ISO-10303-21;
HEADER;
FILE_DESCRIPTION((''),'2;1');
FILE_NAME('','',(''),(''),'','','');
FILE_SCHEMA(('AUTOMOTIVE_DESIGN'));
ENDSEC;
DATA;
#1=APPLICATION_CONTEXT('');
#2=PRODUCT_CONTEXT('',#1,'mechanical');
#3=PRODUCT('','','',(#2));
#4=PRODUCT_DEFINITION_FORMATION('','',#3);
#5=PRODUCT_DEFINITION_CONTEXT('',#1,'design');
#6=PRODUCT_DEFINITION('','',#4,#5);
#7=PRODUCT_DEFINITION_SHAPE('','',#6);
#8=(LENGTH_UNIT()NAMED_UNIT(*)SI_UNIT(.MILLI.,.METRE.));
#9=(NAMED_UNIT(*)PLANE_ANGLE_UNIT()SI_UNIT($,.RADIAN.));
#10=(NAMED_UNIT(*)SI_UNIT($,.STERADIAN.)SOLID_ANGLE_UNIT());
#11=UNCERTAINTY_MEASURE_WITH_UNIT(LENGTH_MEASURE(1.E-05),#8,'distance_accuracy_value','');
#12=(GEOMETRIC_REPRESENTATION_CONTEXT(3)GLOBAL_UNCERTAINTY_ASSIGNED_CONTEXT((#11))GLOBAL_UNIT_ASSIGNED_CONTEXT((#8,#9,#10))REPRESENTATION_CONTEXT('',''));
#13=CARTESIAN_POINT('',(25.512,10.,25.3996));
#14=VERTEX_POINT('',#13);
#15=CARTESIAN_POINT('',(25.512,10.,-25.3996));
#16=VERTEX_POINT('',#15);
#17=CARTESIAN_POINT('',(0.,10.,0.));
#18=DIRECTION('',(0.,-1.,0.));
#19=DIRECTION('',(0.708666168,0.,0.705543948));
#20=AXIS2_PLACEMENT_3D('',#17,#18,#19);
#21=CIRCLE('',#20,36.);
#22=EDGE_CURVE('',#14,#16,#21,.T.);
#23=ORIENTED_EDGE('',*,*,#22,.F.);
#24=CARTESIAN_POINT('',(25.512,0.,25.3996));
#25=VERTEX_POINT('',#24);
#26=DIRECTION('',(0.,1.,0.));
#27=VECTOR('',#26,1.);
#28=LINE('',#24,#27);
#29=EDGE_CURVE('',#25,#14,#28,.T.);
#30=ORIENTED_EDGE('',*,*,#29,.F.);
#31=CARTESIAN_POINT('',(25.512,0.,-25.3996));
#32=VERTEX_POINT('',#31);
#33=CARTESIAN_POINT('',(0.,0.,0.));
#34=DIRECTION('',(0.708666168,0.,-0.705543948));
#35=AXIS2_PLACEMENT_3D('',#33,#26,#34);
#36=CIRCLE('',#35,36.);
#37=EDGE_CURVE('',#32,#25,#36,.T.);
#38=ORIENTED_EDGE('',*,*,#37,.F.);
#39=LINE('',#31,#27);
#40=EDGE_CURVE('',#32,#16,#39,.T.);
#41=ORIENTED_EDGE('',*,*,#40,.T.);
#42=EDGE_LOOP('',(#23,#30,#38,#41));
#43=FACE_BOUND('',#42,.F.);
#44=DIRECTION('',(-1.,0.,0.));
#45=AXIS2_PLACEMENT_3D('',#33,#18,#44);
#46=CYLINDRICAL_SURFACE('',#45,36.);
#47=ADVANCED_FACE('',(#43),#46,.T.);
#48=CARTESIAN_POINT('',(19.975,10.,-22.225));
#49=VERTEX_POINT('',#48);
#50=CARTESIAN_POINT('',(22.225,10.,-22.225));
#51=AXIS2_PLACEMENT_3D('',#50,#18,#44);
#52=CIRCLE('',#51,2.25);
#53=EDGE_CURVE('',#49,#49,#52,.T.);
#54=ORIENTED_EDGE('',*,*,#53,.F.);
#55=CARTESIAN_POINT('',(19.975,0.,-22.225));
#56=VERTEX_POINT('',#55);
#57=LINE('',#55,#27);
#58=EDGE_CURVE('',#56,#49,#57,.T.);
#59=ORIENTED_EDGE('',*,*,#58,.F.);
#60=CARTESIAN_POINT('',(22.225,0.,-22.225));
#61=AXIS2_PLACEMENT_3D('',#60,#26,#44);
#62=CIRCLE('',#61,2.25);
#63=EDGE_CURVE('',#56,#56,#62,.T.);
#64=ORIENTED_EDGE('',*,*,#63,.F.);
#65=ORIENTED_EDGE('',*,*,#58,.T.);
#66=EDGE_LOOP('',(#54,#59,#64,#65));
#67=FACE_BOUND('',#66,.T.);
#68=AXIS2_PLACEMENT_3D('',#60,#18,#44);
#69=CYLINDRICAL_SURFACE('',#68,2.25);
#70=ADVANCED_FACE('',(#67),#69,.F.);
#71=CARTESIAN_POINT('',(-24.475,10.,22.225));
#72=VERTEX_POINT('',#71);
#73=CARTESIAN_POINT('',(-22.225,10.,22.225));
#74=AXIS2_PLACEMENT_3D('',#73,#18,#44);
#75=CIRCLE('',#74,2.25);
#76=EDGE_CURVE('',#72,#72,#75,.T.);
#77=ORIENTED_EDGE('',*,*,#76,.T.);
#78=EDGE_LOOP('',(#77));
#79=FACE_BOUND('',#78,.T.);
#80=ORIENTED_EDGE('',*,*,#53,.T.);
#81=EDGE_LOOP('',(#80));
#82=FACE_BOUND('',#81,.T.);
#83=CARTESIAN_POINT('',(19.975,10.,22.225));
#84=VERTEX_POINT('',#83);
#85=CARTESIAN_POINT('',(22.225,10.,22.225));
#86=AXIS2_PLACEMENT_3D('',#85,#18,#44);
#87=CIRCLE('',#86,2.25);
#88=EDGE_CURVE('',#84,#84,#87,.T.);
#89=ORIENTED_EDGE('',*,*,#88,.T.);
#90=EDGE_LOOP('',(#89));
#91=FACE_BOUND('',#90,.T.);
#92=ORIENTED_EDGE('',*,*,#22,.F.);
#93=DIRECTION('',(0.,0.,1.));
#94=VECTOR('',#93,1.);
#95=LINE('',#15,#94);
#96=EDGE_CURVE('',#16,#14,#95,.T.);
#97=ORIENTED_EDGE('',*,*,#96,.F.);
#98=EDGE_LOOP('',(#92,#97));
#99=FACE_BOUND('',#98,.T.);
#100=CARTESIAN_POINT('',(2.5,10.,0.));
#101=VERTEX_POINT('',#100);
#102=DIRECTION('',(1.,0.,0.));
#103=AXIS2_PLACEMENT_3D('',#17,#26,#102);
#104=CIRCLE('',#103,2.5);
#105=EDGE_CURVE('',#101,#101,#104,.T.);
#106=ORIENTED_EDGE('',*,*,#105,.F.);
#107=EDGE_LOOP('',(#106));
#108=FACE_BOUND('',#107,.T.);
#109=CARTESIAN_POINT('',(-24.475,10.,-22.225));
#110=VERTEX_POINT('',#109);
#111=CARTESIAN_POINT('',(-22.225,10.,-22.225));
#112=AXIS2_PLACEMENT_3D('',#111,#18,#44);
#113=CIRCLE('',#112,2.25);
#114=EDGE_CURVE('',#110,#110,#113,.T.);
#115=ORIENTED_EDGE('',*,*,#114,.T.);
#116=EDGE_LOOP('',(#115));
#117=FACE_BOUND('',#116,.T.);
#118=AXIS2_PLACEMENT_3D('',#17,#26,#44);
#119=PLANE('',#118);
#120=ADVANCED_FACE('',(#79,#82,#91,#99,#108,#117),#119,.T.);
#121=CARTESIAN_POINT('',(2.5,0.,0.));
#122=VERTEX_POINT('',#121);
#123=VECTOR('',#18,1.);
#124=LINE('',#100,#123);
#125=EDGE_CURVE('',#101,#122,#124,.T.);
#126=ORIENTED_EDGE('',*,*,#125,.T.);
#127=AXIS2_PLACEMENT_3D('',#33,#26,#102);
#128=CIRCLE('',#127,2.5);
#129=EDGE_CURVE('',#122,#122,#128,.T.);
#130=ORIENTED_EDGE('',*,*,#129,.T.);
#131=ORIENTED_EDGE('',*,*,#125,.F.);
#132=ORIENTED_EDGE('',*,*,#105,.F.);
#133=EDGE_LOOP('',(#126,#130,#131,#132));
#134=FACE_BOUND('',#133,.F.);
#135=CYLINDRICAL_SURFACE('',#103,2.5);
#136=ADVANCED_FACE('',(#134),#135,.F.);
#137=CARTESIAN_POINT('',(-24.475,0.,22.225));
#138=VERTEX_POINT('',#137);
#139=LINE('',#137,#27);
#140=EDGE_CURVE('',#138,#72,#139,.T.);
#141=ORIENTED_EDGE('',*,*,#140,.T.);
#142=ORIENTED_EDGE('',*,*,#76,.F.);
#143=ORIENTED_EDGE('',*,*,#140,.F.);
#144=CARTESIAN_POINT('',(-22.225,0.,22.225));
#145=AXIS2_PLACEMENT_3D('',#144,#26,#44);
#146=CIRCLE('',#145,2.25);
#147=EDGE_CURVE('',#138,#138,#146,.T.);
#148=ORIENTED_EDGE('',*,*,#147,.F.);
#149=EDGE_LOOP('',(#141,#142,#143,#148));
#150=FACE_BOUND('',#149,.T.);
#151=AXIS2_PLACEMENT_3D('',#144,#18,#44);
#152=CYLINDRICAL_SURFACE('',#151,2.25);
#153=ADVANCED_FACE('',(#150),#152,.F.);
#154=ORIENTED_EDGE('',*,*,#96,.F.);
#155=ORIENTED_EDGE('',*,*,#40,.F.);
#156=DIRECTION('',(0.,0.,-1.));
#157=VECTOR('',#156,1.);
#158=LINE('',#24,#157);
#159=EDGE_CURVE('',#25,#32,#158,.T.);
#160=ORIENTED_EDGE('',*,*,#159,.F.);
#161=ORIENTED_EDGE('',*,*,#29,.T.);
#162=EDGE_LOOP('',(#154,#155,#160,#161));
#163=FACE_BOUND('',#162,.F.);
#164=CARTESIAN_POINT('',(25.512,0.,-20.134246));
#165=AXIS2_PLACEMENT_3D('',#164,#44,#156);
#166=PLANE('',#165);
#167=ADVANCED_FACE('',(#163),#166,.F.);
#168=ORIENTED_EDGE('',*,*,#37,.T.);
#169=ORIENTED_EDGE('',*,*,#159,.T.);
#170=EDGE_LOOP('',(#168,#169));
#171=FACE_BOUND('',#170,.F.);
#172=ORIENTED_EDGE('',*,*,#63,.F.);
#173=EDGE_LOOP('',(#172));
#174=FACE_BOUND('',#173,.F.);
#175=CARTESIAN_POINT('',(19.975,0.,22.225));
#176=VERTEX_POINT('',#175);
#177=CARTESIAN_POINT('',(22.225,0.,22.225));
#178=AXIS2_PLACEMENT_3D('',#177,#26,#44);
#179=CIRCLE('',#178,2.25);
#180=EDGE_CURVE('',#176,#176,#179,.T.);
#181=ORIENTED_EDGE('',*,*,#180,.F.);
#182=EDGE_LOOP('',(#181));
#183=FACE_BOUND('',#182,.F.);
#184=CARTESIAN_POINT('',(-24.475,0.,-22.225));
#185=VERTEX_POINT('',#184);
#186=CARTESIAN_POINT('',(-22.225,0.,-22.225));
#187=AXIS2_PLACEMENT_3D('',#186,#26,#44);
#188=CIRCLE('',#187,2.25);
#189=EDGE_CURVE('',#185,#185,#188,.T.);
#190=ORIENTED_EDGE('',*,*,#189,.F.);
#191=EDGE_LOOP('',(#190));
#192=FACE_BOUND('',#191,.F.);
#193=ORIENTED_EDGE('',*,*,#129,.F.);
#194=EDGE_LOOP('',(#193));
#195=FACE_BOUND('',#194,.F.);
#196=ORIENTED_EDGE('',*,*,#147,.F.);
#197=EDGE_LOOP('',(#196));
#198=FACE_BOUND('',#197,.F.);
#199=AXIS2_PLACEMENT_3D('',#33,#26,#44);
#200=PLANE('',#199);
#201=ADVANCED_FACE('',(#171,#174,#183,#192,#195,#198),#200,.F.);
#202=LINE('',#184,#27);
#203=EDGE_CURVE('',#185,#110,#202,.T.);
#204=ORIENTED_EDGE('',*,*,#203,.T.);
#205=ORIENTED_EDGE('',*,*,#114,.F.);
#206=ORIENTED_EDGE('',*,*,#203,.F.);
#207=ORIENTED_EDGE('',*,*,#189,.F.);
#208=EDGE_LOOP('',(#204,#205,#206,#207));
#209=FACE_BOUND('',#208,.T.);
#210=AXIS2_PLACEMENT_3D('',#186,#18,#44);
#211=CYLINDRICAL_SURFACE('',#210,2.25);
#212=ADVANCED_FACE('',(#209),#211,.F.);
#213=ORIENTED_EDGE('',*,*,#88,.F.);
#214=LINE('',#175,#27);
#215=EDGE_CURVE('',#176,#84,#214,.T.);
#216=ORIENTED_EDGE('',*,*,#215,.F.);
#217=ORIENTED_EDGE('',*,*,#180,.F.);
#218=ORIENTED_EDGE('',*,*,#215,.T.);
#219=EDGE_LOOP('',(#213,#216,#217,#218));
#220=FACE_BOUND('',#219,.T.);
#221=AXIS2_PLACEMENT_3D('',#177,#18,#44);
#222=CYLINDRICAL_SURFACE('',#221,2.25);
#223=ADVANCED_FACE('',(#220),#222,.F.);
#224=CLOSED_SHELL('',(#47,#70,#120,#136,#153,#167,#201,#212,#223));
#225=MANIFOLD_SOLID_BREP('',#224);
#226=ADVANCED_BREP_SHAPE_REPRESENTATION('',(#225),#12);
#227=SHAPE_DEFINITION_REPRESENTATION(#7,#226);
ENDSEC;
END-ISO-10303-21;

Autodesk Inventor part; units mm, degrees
ref_plane "YZ Plane" through (0, 0, 0) normal (1, 0, 0) x (0, 1, 0)
ref_plane "XZ Plane" through (0, 0, 0) normal (0, 1, 0) x (-1, 0, 0)
ref_plane "XY Plane" through (0, 0, 0) normal (0, 0, 1) x (1, 0, 0)
sketch "Sketch1" plane through (0, 0, 0) normal (0, 1, 0) x (-1, 0, 0)
  circle A0 centre (0, 0) radius 36
  line L0 (-22.225, 22.225) -> (22.225, 22.225)
  line L1 (22.225, 22.225) -> (22.225, -22.225)
  line L2 (22.225, -22.225) -> (-22.225, -22.225)
  line L3 (-22.225, -22.225) -> (-22.225, 22.225)
  line L4 (-22.225, 22.225) -> (22.225, -22.225) construction
  line L5 (22.225, 22.225) -> (-22.225, -22.225) construction
  circle A1 centre (0, 0) radius 32.5
  circle A2 centre (22.225, -22.225) radius 2.25
  circle A3 centre (22.225, 22.225) radius 2.25
  circle A4 centre (-22.225, 22.225) radius 2.25
  circle A5 centre (-22.225, -22.225) radius 2.25
  line L6 (-25.512, 25.3996) -> (-25.512, -25.3996)
  dimension "d0" = 72
  dimension "d1" = 44.45
  dimension "d2" = 44.45
  dimension "d3" = 65
  dimension "d4" = 4.5
  dimension "d5" = 4.5
  dimension "d6" = 4.5
  dimension "d7" = 4.5
  dimension "d9" = 25.512
  dimension "d10" = 3.287
extrude "Extrusion1" add sketch "Sketch1" along normal blind 10 contours A0 L6 A1 A5 A2 A3 A4 | A1 A4 L3 A5 L6 | A1 A3 L0 A4 | A4 L0 A3 L1 A2 L2 A5 L3 | A5 L2 A2 A1 | A1 A2 L1 A3
sketch "Sketch2" plane through (0, 10, 0) normal (0, 1, 0) x (1, 0, 0)
  circle A0 centre (0, 0) radius 2.5
  dimension "d13" = 5
extrude "Extrusion2" cut sketch "Sketch2" against normal blind 10
properties part number "Bottom Cap outlet"
